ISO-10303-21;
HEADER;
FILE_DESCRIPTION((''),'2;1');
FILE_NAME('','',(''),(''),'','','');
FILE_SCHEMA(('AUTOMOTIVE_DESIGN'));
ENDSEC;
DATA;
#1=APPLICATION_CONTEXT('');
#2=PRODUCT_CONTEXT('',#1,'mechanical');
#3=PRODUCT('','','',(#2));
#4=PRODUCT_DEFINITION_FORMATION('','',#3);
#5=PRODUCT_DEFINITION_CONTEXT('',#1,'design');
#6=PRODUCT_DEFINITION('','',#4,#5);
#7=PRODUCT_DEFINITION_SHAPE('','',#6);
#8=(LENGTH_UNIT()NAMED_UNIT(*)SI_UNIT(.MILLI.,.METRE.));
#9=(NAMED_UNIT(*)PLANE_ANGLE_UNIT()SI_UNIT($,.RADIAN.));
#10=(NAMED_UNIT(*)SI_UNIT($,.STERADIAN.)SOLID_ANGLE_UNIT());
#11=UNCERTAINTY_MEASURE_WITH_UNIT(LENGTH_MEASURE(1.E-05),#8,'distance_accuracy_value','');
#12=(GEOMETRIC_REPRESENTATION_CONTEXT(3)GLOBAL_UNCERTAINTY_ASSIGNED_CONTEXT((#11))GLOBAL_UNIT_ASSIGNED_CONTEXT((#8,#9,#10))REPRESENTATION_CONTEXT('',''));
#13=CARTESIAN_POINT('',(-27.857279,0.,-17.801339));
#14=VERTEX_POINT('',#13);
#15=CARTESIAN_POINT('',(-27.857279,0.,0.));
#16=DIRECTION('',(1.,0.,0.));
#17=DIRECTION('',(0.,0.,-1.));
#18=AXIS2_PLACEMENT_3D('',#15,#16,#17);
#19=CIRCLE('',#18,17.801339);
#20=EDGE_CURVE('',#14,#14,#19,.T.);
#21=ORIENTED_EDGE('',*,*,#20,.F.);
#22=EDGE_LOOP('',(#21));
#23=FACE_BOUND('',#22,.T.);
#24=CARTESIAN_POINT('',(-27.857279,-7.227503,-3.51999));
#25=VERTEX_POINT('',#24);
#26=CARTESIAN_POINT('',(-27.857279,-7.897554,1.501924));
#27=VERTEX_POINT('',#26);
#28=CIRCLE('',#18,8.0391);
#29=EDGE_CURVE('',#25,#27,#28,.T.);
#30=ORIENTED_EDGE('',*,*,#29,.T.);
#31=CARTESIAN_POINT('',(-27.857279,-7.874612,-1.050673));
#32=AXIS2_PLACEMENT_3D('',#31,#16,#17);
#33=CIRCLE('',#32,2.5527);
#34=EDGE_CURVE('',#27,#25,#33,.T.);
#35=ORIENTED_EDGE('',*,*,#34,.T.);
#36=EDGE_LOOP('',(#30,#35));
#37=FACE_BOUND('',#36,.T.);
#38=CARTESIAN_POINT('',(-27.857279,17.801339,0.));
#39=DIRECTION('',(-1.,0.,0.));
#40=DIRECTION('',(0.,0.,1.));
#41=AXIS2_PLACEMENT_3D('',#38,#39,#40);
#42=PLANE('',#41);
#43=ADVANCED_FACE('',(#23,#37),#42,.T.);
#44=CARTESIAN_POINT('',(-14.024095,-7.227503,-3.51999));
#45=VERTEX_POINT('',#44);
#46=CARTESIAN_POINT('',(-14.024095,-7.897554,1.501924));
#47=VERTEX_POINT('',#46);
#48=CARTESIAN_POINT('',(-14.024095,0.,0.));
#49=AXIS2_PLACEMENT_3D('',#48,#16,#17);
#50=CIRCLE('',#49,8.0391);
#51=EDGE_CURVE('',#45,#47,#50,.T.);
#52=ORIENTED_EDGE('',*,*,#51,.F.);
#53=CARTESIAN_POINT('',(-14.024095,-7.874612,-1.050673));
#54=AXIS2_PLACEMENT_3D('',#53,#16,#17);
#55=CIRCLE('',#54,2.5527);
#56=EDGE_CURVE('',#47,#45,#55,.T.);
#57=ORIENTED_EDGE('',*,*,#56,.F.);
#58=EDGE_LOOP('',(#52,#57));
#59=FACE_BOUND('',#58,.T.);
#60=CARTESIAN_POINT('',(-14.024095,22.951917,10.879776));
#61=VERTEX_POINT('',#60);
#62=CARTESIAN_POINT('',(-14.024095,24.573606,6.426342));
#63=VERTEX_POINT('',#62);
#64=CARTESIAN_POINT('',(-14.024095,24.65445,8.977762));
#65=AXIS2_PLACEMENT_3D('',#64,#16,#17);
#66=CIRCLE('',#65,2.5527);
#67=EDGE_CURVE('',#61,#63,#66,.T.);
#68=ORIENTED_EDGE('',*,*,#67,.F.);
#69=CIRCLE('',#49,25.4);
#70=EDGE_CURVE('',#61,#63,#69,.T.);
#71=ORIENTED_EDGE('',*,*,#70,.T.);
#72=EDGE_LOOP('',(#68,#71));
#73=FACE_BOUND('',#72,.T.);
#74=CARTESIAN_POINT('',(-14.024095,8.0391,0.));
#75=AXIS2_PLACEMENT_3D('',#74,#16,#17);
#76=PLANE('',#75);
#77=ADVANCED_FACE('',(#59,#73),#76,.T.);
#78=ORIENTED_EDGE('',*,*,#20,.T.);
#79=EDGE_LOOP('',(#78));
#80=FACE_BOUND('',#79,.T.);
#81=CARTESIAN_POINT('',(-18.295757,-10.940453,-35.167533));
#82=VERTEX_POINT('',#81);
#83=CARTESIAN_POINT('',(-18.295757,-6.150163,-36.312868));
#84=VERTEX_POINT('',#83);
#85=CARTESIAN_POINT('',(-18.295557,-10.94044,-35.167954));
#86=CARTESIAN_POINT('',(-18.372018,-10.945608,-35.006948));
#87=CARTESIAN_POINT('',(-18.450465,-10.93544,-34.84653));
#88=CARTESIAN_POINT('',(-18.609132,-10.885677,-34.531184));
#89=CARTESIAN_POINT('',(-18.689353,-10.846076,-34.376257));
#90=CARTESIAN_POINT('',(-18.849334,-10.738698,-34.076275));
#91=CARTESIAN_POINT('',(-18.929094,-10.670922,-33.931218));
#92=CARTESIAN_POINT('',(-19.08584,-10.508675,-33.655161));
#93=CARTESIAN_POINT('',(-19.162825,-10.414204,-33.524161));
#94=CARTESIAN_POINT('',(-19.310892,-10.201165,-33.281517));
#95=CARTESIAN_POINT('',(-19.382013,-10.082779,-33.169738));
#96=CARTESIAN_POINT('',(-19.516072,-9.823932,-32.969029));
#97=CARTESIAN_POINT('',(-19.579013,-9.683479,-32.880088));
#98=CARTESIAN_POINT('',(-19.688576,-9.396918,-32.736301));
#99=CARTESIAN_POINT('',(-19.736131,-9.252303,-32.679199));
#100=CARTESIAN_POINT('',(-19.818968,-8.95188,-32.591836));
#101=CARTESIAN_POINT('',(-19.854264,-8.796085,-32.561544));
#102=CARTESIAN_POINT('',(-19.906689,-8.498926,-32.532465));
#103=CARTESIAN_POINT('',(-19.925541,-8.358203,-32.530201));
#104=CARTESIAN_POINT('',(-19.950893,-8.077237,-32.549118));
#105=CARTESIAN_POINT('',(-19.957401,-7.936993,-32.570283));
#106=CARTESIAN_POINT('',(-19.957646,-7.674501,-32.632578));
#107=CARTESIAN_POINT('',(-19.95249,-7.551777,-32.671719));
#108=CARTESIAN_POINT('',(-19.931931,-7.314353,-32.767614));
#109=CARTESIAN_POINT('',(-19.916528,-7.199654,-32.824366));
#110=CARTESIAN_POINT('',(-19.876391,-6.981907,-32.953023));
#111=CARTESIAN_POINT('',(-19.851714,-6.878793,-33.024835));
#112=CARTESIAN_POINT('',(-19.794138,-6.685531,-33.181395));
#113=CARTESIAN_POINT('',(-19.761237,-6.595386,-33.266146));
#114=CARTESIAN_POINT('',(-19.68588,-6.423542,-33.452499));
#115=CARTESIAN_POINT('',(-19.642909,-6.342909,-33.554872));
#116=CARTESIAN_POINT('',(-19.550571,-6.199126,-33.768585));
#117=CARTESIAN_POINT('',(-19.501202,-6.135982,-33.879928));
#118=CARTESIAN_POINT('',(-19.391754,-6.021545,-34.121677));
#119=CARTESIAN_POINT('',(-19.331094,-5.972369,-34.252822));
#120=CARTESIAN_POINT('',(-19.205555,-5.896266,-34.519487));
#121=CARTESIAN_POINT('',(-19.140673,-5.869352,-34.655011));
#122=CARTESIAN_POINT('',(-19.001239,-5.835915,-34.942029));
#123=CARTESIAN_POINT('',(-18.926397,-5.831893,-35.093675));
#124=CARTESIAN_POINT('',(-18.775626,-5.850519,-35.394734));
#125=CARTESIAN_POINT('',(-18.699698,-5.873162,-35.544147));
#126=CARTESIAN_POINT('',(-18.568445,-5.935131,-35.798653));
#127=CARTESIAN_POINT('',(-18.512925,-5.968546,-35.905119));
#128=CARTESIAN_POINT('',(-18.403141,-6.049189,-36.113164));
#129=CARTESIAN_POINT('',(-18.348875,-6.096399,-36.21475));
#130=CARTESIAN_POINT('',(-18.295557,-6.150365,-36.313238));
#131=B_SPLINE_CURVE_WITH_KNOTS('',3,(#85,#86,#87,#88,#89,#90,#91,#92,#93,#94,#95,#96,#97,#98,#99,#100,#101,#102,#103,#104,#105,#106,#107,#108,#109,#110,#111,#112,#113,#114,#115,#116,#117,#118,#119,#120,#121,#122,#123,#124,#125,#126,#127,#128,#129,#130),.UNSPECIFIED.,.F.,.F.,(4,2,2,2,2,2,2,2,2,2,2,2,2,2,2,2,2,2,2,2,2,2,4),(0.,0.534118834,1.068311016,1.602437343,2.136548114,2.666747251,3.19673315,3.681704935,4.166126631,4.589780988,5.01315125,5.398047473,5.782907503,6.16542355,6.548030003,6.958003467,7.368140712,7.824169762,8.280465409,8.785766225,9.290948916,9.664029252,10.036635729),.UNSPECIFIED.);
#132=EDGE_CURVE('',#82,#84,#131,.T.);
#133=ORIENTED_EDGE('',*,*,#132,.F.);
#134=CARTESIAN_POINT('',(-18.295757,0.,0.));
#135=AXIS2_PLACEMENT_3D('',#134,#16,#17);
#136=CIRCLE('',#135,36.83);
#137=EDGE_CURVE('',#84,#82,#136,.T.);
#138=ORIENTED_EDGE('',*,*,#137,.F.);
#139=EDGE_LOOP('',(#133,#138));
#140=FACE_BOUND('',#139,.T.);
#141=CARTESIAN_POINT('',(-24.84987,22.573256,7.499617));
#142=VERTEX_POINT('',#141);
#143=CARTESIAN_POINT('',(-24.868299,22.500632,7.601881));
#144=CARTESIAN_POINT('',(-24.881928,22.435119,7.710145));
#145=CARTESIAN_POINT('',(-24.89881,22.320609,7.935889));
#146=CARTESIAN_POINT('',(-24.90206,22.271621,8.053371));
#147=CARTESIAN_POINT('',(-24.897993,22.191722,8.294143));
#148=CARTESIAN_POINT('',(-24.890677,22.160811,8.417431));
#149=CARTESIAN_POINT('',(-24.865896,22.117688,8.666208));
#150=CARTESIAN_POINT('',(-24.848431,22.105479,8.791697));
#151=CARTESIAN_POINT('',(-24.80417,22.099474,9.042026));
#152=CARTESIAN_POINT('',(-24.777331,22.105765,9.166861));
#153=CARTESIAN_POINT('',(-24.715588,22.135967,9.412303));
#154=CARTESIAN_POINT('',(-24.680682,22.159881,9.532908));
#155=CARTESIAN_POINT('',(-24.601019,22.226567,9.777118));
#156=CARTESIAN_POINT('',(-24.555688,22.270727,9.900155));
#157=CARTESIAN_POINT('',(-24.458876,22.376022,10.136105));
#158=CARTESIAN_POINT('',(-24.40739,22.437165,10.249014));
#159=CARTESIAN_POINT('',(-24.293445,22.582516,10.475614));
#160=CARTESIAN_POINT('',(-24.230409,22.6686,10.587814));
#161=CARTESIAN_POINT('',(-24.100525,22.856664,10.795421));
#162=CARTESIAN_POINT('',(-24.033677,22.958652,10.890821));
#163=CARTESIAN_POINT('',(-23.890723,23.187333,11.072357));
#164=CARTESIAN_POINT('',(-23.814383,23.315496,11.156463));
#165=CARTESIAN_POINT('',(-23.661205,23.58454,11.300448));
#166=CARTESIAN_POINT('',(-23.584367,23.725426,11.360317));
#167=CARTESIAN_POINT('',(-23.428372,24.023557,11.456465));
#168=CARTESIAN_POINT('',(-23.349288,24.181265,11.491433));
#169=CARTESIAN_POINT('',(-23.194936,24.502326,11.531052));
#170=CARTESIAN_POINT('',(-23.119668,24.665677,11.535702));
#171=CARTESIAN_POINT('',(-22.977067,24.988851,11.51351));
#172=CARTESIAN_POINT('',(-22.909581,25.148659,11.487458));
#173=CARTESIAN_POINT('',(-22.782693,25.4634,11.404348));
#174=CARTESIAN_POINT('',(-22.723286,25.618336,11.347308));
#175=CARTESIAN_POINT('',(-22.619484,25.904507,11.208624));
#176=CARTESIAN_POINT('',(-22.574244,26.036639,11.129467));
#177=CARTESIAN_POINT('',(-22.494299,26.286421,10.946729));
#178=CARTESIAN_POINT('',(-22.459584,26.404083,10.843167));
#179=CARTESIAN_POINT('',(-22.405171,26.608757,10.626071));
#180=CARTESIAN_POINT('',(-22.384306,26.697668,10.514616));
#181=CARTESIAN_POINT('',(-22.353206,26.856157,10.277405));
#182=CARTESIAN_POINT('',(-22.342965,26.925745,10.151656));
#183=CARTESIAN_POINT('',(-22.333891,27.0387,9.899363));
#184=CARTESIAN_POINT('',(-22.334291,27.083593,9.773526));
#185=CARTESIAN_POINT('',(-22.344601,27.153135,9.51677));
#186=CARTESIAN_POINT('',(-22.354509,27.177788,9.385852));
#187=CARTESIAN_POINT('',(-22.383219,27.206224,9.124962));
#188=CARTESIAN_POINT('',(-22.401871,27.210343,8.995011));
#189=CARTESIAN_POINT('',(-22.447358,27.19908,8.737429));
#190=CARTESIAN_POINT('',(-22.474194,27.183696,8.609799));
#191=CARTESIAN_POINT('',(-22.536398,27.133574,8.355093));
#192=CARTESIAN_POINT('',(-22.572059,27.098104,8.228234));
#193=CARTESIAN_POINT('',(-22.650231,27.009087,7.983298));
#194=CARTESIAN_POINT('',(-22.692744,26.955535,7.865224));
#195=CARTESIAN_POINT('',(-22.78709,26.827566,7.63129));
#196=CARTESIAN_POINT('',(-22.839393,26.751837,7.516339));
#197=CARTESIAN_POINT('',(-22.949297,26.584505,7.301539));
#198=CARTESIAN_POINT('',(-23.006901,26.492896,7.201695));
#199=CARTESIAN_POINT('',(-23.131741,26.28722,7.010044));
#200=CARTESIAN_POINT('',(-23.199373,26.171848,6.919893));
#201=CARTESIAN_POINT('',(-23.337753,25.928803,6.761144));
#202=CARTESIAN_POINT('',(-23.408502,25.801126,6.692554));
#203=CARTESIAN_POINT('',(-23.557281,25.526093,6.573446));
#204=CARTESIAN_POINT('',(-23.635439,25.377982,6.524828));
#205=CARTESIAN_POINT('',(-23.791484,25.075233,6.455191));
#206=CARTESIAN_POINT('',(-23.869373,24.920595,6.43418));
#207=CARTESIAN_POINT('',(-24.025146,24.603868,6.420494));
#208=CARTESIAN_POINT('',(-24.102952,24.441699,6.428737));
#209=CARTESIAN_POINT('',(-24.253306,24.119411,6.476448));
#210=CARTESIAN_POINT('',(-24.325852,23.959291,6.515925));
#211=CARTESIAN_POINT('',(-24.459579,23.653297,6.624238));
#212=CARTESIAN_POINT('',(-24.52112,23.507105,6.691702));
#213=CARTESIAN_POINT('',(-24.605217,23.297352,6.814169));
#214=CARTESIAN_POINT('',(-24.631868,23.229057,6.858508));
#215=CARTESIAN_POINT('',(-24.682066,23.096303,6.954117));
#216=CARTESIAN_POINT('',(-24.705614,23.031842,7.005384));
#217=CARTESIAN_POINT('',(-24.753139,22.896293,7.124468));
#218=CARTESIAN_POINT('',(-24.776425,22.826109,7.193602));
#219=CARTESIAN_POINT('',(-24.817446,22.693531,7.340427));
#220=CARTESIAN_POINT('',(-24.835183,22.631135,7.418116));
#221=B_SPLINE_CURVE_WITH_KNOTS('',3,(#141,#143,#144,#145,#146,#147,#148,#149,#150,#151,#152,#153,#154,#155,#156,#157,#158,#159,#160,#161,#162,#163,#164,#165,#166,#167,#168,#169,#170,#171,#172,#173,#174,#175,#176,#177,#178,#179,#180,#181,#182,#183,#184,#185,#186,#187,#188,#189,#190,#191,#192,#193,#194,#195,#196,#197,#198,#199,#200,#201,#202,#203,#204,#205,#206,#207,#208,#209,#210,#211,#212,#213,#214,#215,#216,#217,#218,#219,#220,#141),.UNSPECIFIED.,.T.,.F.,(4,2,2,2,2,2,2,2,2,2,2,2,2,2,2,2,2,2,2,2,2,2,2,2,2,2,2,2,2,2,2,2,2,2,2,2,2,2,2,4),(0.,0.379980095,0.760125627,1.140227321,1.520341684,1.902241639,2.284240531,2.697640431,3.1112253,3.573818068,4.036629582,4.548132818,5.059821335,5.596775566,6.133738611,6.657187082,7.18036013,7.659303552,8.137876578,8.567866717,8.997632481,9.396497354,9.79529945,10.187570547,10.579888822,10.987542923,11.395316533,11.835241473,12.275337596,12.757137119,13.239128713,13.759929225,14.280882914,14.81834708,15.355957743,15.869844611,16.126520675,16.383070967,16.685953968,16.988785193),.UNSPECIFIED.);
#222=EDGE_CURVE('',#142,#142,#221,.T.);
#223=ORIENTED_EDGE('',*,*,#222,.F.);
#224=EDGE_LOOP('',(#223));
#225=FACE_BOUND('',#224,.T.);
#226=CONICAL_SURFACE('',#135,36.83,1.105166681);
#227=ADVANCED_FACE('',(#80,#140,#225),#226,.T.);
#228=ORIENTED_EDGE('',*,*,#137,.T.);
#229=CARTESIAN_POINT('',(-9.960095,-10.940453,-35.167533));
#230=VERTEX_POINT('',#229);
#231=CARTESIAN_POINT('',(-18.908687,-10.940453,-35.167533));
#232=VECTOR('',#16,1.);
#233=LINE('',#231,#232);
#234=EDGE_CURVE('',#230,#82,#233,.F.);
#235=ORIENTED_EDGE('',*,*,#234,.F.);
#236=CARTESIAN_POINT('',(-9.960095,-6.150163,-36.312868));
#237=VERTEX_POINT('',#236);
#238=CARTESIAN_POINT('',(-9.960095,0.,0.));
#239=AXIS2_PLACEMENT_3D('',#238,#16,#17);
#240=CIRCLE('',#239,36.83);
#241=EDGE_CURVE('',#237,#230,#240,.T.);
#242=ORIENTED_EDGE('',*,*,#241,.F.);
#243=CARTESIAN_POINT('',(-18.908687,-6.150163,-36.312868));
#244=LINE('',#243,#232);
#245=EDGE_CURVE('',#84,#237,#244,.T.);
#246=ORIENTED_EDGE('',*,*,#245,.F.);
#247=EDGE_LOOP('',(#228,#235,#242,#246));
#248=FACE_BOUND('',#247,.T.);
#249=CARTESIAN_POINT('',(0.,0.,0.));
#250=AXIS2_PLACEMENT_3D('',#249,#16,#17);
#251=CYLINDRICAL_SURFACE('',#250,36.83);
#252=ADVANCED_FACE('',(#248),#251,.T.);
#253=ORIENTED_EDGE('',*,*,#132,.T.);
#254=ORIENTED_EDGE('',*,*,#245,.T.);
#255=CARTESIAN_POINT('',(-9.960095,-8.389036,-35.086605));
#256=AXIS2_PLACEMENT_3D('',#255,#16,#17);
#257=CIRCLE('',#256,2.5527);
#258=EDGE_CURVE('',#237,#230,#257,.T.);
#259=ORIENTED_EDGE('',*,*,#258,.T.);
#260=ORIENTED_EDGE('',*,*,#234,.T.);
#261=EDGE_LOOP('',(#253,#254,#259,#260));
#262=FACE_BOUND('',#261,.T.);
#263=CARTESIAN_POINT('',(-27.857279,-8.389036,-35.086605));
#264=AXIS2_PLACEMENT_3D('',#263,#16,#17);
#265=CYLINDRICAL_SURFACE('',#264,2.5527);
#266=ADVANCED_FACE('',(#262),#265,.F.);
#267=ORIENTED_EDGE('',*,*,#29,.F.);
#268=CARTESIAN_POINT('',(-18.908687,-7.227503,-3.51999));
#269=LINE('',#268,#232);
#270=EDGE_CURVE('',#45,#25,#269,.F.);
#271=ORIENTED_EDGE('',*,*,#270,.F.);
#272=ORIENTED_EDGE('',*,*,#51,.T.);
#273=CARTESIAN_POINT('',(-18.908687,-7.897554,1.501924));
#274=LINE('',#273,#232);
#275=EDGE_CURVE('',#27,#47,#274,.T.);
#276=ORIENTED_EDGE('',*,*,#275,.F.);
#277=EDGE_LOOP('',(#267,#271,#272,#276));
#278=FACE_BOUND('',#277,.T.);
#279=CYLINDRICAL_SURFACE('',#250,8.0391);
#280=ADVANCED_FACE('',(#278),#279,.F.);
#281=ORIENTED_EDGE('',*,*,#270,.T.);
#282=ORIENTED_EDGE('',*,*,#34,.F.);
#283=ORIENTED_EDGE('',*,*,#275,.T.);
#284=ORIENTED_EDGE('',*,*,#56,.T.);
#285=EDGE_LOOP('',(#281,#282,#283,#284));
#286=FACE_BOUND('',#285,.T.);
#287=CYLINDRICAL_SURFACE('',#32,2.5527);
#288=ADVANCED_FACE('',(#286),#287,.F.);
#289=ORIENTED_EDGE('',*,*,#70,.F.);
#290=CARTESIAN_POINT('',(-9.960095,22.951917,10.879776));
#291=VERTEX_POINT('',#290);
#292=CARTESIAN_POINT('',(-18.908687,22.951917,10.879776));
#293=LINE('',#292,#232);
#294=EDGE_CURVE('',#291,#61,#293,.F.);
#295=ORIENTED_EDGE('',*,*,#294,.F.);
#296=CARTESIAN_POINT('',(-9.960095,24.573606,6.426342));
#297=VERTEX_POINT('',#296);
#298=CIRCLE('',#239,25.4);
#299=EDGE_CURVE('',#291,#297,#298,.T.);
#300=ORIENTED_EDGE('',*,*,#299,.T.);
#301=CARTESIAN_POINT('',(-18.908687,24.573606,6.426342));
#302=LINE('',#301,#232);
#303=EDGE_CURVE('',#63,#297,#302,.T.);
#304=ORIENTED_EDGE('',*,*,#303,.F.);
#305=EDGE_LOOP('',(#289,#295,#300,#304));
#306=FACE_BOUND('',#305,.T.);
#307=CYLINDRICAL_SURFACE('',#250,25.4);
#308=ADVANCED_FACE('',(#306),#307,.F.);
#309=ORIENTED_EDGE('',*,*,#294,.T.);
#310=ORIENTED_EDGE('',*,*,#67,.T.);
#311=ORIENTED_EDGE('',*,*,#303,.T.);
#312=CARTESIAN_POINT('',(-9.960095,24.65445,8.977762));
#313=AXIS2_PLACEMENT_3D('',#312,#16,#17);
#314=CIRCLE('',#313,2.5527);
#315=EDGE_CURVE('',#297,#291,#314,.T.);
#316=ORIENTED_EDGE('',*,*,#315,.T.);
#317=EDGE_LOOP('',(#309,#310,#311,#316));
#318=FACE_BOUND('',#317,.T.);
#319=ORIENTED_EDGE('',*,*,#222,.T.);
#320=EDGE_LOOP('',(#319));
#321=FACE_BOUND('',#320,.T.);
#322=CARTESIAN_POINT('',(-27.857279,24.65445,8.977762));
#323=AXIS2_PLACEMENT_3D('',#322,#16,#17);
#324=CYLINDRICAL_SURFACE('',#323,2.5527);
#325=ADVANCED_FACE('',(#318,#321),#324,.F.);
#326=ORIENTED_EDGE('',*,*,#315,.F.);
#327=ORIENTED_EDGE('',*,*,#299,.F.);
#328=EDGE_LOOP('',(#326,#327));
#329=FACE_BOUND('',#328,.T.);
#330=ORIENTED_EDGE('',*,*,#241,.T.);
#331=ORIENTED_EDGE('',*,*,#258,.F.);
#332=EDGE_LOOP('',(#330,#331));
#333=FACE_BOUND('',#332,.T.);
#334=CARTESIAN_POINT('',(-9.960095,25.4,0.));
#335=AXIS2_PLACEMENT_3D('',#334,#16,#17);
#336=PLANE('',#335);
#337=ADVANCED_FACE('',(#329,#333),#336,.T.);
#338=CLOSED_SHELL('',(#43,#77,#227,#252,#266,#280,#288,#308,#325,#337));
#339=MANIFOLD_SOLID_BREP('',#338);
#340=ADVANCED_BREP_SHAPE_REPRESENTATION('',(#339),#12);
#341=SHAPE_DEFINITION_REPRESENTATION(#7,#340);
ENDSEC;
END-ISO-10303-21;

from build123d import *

# Parameters (mm, degrees)
SKETCH2_R          = 2.5527
CUT_EXTRUDE1_DEPTH = 18.897183893


with BuildPart() as part:
    # Sketch1 → Revolve1 (revolve)
    with BuildSketch(Plane.XY):
        Polygon((-27.857278892, 8.0391), (-14.024094998, 8.0391), (-14.024094998, 25.4), (-9.960094998, 25.4), (-9.960094998, 36.83), (-18.295757287, 36.83), (-27.857278892, 17.801339222), align=None)
    revolve(axis=Axis((0, 0, 0), (-1, 0, 0)))

    # Sketch2 → Cut-Extrude1 (cut, through all)
    with BuildSketch(Plane(origin=(-9.960094998, 0, 0), x_dir=(0, 0, -1), z_dir=(1, 0, 0))):
        with Locations((35.086604814, -8.389036369)):
            Circle(SKETCH2_R)
        with Locations((1.050672613, -7.874611544)):
            Circle(SKETCH2_R)
        with Locations((18.860257121, 44.244090147)):
            Circle(SKETCH2_R)
        with Locations((46.093533365, 23.822092726)):
            Circle(SKETCH2_R)
        with Locations((-8.977761775, 24.654449577)):
            Circle(SKETCH2_R)
    extrude(amount=-CUT_EXTRUDE1_DEPTH, mode=Mode.SUBTRACT)


solid = part.part
